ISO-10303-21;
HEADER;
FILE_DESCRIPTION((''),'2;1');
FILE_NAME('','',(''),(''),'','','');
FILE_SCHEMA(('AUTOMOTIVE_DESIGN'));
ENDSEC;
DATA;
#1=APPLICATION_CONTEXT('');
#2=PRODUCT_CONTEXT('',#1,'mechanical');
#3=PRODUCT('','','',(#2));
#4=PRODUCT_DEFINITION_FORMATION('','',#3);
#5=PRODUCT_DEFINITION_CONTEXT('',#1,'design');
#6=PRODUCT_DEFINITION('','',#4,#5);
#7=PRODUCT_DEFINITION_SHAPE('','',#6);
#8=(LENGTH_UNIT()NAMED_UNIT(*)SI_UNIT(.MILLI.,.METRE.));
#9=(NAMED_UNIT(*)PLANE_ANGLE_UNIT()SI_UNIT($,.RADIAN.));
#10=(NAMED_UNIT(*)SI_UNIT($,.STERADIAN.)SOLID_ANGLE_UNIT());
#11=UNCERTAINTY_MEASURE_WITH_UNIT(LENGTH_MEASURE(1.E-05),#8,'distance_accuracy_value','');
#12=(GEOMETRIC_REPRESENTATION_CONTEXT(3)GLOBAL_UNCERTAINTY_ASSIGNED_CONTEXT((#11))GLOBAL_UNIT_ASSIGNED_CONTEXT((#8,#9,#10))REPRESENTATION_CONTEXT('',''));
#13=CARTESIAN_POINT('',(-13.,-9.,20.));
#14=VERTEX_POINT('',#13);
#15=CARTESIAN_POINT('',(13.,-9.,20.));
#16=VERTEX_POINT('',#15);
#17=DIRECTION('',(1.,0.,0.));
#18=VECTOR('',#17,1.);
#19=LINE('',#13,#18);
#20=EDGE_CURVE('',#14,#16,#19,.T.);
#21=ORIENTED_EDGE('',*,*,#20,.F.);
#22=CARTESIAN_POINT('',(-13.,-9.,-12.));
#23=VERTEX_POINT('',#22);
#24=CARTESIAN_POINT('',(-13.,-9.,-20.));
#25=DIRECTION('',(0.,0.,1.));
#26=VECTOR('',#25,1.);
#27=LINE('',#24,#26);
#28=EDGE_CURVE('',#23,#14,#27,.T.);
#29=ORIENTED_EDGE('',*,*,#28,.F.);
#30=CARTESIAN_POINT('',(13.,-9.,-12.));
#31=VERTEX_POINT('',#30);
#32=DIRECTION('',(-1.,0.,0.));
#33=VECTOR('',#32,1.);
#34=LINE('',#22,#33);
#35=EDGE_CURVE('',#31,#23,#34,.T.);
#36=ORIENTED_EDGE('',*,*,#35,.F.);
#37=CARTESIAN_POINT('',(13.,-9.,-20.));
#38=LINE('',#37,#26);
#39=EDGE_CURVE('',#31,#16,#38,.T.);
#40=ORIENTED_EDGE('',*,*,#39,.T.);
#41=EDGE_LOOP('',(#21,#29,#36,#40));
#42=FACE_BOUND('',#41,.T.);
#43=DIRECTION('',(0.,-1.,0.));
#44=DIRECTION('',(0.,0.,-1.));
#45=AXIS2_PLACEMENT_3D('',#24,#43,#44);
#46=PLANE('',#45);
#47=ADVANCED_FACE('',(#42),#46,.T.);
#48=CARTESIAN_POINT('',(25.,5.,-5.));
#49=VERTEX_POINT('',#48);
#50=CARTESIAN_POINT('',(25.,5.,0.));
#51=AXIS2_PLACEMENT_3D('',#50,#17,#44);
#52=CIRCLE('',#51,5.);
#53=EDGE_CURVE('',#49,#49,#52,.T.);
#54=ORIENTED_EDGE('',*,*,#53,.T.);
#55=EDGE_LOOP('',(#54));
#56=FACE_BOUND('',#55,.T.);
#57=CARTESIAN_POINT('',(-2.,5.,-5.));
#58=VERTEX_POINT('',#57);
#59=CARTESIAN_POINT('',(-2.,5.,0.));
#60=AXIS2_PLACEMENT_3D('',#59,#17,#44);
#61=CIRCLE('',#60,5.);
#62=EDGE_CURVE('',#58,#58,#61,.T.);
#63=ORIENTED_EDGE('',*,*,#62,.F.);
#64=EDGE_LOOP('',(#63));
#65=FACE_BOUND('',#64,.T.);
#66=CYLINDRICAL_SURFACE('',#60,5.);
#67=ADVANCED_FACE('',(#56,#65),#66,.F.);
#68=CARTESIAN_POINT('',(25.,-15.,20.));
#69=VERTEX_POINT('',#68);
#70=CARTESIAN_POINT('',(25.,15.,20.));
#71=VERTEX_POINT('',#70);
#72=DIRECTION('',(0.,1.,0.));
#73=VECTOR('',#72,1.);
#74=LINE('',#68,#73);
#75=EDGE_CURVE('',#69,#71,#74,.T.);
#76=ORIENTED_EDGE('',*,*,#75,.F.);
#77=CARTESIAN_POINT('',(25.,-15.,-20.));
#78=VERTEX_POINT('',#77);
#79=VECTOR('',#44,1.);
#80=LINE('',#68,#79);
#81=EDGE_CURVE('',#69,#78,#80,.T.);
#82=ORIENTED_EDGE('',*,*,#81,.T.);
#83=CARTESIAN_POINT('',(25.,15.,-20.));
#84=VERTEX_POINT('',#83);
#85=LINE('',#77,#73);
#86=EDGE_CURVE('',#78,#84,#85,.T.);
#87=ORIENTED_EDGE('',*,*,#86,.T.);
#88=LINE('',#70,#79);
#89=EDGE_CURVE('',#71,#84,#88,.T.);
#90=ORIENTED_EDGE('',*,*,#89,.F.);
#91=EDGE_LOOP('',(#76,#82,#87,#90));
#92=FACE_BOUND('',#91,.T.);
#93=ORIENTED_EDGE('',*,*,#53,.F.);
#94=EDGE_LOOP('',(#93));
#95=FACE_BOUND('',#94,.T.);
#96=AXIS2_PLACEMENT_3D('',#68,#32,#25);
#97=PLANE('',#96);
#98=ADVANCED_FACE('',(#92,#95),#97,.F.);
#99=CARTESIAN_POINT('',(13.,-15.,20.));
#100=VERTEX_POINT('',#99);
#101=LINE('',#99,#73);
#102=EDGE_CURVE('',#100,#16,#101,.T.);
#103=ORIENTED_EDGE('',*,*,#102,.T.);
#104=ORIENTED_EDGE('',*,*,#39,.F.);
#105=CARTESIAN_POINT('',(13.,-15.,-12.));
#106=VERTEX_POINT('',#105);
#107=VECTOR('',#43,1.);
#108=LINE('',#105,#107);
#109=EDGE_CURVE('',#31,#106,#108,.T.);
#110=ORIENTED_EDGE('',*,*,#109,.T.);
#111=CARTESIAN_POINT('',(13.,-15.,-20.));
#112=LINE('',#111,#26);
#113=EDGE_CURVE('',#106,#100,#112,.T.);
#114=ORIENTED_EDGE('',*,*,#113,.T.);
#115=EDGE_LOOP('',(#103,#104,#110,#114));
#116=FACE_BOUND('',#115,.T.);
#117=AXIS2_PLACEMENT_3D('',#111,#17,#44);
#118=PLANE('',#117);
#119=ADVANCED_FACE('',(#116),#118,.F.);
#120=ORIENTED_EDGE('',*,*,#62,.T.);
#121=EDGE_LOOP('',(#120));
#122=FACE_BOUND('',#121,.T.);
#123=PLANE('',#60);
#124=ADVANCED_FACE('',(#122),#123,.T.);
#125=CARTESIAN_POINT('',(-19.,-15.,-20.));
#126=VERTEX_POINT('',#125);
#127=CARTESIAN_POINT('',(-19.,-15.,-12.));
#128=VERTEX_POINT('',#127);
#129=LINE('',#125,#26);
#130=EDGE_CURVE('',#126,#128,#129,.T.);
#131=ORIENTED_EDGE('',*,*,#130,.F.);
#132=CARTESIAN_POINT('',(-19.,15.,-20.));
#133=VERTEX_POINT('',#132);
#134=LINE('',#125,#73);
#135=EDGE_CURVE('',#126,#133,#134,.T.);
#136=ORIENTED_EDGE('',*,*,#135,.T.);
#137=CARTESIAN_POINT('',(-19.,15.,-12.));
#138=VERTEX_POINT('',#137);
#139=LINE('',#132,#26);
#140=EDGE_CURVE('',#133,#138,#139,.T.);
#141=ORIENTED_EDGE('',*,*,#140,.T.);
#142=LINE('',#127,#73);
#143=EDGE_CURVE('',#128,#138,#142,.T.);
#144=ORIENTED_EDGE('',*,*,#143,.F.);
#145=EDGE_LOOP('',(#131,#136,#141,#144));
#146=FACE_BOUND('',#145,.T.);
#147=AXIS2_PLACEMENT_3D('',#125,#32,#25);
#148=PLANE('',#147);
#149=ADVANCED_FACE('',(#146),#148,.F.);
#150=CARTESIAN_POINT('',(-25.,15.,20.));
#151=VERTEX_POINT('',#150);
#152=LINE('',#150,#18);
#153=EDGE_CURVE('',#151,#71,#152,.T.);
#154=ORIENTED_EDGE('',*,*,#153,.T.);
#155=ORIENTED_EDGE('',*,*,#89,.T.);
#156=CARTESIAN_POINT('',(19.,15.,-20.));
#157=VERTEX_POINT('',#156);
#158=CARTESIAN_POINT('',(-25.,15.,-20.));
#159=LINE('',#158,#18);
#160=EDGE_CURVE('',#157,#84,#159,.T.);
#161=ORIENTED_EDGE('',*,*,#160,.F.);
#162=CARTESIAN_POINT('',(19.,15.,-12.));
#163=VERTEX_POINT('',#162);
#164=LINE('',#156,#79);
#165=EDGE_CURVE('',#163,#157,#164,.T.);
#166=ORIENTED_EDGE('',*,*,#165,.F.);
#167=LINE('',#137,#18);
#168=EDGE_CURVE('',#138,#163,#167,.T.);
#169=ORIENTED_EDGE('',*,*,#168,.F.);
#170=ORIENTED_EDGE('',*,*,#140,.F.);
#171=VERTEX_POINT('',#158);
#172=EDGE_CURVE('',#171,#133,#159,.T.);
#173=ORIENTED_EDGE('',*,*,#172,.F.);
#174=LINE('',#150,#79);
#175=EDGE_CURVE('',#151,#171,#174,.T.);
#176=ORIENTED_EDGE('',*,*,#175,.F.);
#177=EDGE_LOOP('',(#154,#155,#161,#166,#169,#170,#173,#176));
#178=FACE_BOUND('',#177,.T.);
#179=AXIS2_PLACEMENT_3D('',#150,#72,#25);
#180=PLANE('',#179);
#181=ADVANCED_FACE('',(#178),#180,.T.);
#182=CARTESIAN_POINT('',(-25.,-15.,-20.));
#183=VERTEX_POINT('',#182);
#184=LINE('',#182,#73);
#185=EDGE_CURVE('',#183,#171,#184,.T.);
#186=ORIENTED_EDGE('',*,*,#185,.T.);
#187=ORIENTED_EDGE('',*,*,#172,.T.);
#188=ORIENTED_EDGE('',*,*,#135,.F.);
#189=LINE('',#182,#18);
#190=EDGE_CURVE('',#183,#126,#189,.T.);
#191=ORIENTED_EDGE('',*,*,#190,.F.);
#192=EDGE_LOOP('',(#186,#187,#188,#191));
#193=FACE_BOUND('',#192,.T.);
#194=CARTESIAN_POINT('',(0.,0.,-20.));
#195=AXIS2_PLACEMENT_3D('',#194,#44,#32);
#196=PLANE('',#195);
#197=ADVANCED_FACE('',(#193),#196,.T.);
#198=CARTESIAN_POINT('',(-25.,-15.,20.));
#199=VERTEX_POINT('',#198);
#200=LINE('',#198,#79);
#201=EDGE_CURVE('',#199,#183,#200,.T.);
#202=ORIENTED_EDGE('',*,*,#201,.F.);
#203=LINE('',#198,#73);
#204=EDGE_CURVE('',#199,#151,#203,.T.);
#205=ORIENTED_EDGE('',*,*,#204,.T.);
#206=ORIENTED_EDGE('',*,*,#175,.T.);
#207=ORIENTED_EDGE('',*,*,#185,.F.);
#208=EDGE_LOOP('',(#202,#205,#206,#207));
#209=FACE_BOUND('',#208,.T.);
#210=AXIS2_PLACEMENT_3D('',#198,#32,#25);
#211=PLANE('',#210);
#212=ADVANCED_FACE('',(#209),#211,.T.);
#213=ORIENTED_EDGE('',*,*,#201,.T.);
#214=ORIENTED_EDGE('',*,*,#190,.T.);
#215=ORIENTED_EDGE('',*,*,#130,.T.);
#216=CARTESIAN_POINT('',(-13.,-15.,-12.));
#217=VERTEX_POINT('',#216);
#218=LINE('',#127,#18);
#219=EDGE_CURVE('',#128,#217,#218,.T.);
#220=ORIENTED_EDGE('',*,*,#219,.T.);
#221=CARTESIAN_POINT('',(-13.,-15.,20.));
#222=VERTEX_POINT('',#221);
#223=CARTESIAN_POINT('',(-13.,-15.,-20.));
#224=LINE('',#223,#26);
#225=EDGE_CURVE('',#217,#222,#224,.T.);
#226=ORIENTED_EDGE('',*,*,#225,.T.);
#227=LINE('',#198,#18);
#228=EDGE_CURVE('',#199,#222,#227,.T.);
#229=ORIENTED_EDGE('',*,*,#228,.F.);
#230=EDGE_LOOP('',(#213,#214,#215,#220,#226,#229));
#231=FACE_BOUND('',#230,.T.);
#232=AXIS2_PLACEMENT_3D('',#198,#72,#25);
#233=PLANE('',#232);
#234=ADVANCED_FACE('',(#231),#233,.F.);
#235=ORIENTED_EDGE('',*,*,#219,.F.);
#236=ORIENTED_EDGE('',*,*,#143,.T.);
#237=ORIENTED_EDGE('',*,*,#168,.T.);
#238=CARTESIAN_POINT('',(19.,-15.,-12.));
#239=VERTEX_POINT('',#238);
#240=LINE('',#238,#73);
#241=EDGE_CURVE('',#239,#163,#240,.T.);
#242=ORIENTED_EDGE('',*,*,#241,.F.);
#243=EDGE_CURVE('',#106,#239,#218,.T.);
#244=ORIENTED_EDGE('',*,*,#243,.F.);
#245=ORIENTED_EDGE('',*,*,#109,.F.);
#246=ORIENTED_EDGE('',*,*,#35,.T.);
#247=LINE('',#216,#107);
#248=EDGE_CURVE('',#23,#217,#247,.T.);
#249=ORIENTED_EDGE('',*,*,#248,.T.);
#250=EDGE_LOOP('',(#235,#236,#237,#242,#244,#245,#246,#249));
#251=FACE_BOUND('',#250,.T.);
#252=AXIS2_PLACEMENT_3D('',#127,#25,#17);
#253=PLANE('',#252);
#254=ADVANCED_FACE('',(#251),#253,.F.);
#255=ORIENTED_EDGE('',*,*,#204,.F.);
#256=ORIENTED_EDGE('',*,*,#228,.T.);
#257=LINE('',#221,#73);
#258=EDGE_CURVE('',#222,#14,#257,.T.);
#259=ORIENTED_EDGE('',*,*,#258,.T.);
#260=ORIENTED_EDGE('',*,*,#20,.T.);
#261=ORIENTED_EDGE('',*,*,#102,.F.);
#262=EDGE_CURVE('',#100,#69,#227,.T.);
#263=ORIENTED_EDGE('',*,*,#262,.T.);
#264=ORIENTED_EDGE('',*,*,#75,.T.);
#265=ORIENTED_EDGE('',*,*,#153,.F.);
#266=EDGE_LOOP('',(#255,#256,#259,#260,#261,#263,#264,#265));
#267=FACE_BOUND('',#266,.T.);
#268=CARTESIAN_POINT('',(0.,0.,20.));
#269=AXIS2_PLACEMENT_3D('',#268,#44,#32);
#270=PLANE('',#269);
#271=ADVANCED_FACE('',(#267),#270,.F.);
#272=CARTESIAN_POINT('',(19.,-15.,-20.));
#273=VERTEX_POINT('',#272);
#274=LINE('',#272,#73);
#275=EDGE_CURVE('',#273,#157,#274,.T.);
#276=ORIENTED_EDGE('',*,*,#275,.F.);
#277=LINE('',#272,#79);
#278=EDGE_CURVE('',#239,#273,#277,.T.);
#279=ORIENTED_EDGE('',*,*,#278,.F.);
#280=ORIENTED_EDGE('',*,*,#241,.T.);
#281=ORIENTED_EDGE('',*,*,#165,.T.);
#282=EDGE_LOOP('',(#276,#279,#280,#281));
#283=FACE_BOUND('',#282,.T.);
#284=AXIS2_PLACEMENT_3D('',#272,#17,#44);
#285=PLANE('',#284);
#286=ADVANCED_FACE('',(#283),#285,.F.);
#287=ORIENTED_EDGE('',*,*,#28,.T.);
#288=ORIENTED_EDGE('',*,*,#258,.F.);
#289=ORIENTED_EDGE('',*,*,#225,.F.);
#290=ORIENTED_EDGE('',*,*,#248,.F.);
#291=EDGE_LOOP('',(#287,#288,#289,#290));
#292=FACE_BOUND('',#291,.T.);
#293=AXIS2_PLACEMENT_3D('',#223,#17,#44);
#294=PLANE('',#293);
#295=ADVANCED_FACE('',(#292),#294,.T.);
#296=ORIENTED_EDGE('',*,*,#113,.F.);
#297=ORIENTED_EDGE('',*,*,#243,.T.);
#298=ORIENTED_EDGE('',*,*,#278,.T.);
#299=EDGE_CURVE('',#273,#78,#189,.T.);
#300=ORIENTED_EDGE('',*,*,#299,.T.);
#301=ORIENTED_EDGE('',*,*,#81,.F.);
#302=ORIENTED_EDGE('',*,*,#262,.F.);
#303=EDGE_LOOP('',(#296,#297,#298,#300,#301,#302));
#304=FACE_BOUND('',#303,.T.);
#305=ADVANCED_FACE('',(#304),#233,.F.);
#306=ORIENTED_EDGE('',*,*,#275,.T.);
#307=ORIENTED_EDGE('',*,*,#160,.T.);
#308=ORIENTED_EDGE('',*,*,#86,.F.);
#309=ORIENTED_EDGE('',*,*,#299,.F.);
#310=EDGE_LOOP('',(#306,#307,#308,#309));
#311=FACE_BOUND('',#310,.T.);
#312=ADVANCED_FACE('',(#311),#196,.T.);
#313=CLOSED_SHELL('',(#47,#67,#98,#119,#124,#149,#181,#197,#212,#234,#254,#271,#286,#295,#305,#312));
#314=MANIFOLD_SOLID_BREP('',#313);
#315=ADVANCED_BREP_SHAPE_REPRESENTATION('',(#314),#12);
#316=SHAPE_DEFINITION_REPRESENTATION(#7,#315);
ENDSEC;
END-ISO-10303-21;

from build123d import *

# Parameters (mm, degrees)
SKETCH_1_W               = 50
SKETCH_1_H               = 30
EXTRUDE_1_DEPTH          = 20
CUT_EXTRUDE_2_DEPTH      = 36.355339059
CUT_EXTRUDE_2_DEPTH_BACK = 36.355339059
SKETCH_2_W               = 26
SKETCH_2_H               = 6
SKETCH_4_W               = 38
SKETCH_4_H               = 8
CUT_EXTRUDE_3_DEPTH      = 44.874821937
SKETCH_5_R               = 5
CUT_EXTRUDE_5_DEPTH      = 27


with BuildPart() as part:
    # 草圖1 → 填料-伸長1 (new, symmetric)
    with BuildSketch(Plane.XY):
        Rectangle(SKETCH_1_W, SKETCH_1_H)
    extrude(amount=EXTRUDE_1_DEPTH, both=True)

    # 草圖2 → 除料-伸長2 (cut, two sides: drawn at the far end of the back side and taken through both)
    with BuildSketch(Plane.XY.offset(-CUT_EXTRUDE_2_DEPTH_BACK)):
        with Locations((0, -12)):
            Rectangle(SKETCH_2_W, SKETCH_2_H)
    extrude(amount=CUT_EXTRUDE_2_DEPTH + CUT_EXTRUDE_2_DEPTH_BACK, mode=Mode.SUBTRACT)

    # 草圖4 → 除料-伸長3 (cut, through all)
    with BuildSketch(Plane(origin=(0, 15, 0), x_dir=(1, 0, 0), z_dir=(0, 1, 0))):
        with Locations((0, 16)):
            Rectangle(SKETCH_4_W, SKETCH_4_H)
    extrude(amount=-CUT_EXTRUDE_3_DEPTH, mode=Mode.SUBTRACT)

    # 草圖5 → 除料-伸長5 (cut)
    with BuildSketch(Plane(origin=(25, 0, 0), x_dir=(0, 0, -1), z_dir=(1, 0, 0))):
        with Locations((0, 5)):
            Circle(SKETCH_5_R)
    extrude(amount=-CUT_EXTRUDE_5_DEPTH, mode=Mode.SUBTRACT)


solid = part.part
